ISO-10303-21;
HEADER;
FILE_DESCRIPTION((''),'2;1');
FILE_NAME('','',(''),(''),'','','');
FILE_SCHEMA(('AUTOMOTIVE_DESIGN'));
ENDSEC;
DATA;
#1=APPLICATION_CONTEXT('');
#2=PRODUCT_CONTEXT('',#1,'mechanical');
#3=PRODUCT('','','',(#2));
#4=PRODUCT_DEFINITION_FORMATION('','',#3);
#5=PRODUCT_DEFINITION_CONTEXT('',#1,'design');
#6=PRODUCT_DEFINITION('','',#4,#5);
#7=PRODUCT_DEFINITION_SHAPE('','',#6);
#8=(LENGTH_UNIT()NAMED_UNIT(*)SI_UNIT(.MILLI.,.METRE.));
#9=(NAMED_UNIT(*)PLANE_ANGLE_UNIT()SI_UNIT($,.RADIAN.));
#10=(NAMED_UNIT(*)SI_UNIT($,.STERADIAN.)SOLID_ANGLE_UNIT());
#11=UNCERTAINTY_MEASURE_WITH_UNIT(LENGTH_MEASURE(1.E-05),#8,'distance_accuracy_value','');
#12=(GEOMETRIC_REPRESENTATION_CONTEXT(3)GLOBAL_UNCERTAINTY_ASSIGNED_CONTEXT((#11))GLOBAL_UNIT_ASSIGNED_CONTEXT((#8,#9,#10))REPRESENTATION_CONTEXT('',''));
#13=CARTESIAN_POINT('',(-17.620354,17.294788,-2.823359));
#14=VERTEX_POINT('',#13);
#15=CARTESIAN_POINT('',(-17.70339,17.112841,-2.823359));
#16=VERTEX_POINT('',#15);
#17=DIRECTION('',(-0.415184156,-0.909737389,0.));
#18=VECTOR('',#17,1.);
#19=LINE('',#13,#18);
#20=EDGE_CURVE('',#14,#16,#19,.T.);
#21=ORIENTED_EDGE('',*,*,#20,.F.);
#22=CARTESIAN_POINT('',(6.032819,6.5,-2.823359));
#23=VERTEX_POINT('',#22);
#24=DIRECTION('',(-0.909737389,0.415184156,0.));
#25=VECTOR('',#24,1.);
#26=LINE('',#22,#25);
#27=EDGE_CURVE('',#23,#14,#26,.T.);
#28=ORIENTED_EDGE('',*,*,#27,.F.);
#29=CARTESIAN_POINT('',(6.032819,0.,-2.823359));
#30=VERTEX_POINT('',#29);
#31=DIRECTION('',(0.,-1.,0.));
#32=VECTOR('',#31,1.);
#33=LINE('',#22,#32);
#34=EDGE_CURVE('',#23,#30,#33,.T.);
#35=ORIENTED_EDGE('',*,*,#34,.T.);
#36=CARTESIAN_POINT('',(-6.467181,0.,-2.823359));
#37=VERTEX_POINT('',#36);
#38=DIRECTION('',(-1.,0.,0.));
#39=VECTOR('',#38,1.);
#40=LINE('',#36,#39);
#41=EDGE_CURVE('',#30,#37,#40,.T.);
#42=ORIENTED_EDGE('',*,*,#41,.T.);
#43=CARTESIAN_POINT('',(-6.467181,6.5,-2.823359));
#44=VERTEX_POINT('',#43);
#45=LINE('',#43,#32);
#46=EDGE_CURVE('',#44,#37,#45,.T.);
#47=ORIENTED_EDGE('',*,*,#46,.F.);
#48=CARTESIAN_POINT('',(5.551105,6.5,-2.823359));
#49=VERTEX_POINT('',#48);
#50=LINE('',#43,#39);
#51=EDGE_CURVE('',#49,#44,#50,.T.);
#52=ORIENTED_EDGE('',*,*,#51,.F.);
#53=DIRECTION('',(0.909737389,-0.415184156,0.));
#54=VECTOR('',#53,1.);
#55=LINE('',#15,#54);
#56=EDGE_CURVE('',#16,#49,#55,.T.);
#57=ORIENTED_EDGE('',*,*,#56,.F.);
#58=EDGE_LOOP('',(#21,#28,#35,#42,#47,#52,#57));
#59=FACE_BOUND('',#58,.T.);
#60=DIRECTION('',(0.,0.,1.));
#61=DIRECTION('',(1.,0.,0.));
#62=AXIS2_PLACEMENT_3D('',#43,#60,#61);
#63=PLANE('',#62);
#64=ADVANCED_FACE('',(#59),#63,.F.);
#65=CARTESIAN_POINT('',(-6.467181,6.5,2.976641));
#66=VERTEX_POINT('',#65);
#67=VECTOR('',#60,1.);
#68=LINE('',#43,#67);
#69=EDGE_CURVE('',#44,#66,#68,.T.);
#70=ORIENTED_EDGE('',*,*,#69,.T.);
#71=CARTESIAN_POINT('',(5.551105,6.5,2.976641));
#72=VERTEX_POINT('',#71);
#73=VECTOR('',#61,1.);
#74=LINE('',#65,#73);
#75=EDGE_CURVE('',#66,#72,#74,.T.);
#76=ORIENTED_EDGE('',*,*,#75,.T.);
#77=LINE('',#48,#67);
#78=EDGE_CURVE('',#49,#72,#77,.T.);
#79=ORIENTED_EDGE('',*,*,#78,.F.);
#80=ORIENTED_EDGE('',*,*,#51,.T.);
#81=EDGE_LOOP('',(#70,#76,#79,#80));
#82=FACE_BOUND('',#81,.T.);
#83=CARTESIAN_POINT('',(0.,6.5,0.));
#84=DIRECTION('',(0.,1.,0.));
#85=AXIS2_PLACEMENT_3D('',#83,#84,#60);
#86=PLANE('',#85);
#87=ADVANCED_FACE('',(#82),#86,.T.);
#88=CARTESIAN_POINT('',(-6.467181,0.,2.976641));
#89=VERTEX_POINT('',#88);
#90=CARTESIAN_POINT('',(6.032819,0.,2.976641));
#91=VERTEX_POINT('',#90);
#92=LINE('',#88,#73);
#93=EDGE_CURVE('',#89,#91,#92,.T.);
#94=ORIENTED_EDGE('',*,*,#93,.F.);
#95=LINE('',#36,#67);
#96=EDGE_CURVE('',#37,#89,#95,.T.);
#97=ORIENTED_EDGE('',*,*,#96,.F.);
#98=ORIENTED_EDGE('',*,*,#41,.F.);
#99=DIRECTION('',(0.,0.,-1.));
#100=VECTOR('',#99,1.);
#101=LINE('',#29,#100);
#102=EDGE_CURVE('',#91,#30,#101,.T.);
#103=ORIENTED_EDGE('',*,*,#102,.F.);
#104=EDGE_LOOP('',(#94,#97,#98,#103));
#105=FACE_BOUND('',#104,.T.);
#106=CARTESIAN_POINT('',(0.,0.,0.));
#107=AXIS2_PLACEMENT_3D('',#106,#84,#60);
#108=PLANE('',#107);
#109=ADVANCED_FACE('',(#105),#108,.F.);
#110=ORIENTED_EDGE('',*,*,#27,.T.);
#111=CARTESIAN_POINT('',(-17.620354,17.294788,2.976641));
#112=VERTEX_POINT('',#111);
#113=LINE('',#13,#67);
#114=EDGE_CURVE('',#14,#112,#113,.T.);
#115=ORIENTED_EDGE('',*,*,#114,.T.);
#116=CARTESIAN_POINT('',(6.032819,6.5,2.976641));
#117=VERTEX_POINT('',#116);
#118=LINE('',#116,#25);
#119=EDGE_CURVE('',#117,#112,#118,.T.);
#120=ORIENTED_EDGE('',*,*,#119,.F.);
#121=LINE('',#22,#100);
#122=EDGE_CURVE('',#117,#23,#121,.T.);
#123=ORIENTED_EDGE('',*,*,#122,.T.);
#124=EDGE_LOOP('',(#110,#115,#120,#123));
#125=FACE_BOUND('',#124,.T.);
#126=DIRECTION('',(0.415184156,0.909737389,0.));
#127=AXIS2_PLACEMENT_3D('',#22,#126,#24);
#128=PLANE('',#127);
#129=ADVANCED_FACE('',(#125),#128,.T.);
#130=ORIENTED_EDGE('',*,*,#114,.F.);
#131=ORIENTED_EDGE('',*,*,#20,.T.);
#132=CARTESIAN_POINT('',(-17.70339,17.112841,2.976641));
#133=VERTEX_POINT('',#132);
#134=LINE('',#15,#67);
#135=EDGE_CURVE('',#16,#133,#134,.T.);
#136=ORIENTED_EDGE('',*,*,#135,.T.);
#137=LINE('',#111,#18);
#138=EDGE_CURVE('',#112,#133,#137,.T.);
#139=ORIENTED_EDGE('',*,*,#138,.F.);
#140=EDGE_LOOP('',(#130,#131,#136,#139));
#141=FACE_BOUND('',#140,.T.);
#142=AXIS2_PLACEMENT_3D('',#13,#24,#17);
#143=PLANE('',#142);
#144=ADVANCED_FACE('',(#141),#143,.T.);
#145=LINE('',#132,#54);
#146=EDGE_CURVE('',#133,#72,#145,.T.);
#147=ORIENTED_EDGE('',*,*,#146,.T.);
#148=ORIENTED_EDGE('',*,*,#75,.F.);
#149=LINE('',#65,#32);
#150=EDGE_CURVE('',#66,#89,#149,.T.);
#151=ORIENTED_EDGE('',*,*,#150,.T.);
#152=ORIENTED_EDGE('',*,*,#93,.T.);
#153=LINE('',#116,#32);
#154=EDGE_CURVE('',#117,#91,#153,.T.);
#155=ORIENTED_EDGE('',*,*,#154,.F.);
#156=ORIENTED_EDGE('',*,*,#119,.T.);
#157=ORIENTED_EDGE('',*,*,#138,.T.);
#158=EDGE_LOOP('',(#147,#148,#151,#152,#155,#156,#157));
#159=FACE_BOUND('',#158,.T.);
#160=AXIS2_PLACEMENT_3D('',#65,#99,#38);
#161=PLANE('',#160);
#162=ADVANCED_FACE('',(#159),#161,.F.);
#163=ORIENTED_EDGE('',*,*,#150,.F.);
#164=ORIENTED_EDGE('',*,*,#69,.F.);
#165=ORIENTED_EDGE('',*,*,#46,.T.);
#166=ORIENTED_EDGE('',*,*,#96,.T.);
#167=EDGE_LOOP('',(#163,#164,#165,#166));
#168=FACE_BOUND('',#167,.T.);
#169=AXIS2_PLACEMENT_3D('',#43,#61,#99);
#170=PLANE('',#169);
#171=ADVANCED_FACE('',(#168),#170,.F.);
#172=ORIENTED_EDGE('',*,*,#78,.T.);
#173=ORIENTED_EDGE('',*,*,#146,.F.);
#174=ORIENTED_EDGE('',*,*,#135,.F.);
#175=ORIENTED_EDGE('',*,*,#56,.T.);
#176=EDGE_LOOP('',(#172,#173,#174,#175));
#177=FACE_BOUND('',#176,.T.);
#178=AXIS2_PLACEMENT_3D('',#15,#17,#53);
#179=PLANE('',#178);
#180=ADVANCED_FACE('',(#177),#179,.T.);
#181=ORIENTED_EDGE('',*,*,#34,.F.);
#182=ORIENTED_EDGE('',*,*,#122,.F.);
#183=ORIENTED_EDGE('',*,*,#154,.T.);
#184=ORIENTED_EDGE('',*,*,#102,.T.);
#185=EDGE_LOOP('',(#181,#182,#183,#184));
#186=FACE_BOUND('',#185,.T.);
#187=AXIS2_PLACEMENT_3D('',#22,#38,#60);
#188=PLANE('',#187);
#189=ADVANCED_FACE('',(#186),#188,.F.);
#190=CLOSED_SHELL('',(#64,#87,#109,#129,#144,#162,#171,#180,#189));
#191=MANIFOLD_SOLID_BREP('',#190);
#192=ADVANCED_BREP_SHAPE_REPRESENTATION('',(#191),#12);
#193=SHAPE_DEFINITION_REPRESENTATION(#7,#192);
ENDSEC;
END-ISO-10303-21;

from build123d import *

# Parameters (mm, degrees)
SKETCH_1_W      = 12.5
SKETCH_1_H      = 5.8
EXTRUDE_1_DEPTH = 6.5
EXTRUDE_2_DEPTH = 5.8


with BuildPart() as part:
    # 草图1 → 凸台-拉伸1 (new body)
    with BuildSketch(Plane(origin=(0, 0, 0), x_dir=(1, 0, 0), z_dir=(0, 1, 0))):
        with Locations((-0.217181467, -0.076640927)):
            Rectangle(SKETCH_1_W, SKETCH_1_H)
    extrude(amount=EXTRUDE_1_DEPTH)

    # 草图2 → 凸台-拉伸2 (add, through all)
    with BuildSketch(Plane.XY.offset(2.976640927)):
        Polygon((6.032818533, 6.5), (-17.62035358, 17.294788047), (-17.703390412, 17.112840569), (5.551104582, 6.5), align=None)
    extrude(amount=-EXTRUDE_2_DEPTH)


solid = part.part
